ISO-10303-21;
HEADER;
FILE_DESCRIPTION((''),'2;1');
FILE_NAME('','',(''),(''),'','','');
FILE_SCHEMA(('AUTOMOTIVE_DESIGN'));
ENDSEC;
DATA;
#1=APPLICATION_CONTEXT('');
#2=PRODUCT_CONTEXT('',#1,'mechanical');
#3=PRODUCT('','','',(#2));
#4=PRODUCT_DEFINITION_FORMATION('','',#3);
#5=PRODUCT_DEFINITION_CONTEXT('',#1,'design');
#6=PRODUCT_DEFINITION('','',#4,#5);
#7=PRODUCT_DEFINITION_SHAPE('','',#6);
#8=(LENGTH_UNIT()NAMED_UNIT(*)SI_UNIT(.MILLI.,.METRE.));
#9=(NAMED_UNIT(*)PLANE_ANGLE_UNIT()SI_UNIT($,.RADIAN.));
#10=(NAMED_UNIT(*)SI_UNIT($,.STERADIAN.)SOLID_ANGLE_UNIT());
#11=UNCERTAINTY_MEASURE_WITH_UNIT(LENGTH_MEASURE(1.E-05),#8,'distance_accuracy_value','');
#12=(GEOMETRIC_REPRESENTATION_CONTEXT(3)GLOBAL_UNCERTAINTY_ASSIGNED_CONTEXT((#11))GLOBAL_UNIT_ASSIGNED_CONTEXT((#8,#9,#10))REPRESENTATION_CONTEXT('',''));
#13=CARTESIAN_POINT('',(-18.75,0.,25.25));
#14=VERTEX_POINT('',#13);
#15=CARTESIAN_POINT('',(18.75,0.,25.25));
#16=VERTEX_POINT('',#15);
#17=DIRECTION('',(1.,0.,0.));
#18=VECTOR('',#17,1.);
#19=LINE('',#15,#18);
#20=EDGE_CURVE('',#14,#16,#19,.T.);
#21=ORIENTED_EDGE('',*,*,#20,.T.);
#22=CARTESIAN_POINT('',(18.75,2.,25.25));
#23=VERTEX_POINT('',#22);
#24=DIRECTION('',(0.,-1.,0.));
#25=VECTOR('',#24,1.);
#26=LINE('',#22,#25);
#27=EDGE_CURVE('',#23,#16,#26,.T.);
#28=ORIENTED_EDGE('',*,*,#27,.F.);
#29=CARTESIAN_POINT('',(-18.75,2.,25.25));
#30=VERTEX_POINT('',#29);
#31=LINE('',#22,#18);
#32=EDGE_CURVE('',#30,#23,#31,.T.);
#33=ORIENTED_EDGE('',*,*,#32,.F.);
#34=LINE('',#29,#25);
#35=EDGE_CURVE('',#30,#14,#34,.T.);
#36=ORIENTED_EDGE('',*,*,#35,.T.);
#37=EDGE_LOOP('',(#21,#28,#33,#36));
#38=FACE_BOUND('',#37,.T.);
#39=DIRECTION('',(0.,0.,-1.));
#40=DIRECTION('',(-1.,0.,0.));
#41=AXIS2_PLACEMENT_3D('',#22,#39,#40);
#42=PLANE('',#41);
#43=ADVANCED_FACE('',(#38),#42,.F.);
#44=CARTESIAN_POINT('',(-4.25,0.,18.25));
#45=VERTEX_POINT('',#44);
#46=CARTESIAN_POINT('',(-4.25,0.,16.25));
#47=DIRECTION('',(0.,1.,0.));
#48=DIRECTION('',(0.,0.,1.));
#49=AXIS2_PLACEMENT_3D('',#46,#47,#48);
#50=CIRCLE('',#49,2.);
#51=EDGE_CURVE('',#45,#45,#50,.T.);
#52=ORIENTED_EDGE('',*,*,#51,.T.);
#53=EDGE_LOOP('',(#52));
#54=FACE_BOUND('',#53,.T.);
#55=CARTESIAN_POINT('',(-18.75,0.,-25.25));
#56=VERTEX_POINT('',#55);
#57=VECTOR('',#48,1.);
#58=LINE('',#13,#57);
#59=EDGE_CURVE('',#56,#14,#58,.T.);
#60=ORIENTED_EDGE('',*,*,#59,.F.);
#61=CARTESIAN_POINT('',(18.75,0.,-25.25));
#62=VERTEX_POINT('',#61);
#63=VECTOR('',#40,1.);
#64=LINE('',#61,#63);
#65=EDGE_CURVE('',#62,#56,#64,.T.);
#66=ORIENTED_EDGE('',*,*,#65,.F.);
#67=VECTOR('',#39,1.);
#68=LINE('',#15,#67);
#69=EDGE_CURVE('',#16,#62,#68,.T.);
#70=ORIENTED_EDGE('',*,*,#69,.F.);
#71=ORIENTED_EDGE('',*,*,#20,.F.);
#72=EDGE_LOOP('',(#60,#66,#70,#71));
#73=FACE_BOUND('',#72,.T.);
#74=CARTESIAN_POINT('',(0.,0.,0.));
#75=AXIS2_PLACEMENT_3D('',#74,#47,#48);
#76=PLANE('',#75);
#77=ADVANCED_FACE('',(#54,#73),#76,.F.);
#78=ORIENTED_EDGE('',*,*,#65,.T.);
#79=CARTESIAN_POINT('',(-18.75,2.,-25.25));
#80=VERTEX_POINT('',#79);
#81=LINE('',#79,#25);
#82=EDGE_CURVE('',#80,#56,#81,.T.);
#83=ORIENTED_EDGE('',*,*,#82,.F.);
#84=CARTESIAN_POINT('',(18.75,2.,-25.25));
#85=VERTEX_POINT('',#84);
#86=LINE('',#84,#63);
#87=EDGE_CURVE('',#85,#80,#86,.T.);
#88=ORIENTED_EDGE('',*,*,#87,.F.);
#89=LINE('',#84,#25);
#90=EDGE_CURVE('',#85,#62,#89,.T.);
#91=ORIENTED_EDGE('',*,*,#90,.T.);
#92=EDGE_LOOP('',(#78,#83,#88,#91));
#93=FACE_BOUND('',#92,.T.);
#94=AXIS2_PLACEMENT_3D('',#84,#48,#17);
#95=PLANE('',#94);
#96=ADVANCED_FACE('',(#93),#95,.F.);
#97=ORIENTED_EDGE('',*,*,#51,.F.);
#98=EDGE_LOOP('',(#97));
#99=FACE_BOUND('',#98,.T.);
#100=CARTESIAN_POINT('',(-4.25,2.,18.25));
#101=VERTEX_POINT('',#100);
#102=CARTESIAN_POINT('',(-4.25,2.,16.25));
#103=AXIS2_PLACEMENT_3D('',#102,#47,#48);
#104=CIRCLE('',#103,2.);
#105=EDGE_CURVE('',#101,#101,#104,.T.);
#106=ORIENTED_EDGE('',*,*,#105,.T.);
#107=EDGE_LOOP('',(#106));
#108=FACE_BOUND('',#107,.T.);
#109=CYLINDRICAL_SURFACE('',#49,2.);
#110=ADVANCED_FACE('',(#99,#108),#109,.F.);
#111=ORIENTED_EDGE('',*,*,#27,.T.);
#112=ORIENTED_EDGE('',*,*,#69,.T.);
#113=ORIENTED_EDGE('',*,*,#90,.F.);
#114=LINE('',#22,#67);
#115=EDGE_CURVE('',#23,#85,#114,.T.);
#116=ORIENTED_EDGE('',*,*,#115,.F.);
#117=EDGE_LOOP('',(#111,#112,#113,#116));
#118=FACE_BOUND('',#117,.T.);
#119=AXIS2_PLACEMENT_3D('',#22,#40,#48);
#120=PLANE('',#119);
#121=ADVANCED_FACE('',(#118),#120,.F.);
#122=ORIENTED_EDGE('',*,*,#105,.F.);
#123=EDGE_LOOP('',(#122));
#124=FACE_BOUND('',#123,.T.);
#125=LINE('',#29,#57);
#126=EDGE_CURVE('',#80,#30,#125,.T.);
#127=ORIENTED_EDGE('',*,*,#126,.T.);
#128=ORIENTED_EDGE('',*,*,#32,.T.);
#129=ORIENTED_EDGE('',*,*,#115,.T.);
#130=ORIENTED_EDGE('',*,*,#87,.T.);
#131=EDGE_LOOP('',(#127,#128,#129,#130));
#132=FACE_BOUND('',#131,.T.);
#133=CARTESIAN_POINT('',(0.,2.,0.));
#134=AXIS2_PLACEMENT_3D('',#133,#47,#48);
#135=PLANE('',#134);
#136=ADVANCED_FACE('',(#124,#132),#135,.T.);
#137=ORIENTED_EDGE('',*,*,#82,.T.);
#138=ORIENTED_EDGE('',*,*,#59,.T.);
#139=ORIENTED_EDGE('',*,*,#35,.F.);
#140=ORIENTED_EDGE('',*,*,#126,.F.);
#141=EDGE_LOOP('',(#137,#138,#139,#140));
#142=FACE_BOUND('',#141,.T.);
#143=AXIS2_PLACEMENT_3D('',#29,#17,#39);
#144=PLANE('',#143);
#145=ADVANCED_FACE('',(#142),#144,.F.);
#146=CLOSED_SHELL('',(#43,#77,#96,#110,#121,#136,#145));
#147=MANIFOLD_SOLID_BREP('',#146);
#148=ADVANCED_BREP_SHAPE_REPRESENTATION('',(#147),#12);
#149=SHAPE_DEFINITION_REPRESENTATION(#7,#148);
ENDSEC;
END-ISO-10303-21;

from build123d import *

# Parameters (mm, degrees)
SKETCH1_W           = 37.5
SKETCH1_H           = 50.5
BOSS_EXTRUDE1_DEPTH = 2
SKETCH2_R           = 2
CUT_EXTRUDE1_DEPTH  = 32.513885828


with BuildPart() as part:
    # Sketch1 → Boss-Extrude1 (new body)
    with BuildSketch(Plane(origin=(0, 0, 0), x_dir=(1, 0, 0), z_dir=(0, 1, 0))):
        Rectangle(SKETCH1_W, SKETCH1_H)
    extrude(amount=BOSS_EXTRUDE1_DEPTH)

    # Sketch2 → Cut-Extrude1 (cut, through all)
    with BuildSketch(Plane(origin=(0, 2, 0), x_dir=(1, 0, 0), z_dir=(0, 1, 0))):
        with Locations(Location((-4.25, -16.25, 0), (0, 0, 270))):
            Circle(SKETCH2_R)
    extrude(amount=-CUT_EXTRUDE1_DEPTH, mode=Mode.SUBTRACT)


solid = part.part
